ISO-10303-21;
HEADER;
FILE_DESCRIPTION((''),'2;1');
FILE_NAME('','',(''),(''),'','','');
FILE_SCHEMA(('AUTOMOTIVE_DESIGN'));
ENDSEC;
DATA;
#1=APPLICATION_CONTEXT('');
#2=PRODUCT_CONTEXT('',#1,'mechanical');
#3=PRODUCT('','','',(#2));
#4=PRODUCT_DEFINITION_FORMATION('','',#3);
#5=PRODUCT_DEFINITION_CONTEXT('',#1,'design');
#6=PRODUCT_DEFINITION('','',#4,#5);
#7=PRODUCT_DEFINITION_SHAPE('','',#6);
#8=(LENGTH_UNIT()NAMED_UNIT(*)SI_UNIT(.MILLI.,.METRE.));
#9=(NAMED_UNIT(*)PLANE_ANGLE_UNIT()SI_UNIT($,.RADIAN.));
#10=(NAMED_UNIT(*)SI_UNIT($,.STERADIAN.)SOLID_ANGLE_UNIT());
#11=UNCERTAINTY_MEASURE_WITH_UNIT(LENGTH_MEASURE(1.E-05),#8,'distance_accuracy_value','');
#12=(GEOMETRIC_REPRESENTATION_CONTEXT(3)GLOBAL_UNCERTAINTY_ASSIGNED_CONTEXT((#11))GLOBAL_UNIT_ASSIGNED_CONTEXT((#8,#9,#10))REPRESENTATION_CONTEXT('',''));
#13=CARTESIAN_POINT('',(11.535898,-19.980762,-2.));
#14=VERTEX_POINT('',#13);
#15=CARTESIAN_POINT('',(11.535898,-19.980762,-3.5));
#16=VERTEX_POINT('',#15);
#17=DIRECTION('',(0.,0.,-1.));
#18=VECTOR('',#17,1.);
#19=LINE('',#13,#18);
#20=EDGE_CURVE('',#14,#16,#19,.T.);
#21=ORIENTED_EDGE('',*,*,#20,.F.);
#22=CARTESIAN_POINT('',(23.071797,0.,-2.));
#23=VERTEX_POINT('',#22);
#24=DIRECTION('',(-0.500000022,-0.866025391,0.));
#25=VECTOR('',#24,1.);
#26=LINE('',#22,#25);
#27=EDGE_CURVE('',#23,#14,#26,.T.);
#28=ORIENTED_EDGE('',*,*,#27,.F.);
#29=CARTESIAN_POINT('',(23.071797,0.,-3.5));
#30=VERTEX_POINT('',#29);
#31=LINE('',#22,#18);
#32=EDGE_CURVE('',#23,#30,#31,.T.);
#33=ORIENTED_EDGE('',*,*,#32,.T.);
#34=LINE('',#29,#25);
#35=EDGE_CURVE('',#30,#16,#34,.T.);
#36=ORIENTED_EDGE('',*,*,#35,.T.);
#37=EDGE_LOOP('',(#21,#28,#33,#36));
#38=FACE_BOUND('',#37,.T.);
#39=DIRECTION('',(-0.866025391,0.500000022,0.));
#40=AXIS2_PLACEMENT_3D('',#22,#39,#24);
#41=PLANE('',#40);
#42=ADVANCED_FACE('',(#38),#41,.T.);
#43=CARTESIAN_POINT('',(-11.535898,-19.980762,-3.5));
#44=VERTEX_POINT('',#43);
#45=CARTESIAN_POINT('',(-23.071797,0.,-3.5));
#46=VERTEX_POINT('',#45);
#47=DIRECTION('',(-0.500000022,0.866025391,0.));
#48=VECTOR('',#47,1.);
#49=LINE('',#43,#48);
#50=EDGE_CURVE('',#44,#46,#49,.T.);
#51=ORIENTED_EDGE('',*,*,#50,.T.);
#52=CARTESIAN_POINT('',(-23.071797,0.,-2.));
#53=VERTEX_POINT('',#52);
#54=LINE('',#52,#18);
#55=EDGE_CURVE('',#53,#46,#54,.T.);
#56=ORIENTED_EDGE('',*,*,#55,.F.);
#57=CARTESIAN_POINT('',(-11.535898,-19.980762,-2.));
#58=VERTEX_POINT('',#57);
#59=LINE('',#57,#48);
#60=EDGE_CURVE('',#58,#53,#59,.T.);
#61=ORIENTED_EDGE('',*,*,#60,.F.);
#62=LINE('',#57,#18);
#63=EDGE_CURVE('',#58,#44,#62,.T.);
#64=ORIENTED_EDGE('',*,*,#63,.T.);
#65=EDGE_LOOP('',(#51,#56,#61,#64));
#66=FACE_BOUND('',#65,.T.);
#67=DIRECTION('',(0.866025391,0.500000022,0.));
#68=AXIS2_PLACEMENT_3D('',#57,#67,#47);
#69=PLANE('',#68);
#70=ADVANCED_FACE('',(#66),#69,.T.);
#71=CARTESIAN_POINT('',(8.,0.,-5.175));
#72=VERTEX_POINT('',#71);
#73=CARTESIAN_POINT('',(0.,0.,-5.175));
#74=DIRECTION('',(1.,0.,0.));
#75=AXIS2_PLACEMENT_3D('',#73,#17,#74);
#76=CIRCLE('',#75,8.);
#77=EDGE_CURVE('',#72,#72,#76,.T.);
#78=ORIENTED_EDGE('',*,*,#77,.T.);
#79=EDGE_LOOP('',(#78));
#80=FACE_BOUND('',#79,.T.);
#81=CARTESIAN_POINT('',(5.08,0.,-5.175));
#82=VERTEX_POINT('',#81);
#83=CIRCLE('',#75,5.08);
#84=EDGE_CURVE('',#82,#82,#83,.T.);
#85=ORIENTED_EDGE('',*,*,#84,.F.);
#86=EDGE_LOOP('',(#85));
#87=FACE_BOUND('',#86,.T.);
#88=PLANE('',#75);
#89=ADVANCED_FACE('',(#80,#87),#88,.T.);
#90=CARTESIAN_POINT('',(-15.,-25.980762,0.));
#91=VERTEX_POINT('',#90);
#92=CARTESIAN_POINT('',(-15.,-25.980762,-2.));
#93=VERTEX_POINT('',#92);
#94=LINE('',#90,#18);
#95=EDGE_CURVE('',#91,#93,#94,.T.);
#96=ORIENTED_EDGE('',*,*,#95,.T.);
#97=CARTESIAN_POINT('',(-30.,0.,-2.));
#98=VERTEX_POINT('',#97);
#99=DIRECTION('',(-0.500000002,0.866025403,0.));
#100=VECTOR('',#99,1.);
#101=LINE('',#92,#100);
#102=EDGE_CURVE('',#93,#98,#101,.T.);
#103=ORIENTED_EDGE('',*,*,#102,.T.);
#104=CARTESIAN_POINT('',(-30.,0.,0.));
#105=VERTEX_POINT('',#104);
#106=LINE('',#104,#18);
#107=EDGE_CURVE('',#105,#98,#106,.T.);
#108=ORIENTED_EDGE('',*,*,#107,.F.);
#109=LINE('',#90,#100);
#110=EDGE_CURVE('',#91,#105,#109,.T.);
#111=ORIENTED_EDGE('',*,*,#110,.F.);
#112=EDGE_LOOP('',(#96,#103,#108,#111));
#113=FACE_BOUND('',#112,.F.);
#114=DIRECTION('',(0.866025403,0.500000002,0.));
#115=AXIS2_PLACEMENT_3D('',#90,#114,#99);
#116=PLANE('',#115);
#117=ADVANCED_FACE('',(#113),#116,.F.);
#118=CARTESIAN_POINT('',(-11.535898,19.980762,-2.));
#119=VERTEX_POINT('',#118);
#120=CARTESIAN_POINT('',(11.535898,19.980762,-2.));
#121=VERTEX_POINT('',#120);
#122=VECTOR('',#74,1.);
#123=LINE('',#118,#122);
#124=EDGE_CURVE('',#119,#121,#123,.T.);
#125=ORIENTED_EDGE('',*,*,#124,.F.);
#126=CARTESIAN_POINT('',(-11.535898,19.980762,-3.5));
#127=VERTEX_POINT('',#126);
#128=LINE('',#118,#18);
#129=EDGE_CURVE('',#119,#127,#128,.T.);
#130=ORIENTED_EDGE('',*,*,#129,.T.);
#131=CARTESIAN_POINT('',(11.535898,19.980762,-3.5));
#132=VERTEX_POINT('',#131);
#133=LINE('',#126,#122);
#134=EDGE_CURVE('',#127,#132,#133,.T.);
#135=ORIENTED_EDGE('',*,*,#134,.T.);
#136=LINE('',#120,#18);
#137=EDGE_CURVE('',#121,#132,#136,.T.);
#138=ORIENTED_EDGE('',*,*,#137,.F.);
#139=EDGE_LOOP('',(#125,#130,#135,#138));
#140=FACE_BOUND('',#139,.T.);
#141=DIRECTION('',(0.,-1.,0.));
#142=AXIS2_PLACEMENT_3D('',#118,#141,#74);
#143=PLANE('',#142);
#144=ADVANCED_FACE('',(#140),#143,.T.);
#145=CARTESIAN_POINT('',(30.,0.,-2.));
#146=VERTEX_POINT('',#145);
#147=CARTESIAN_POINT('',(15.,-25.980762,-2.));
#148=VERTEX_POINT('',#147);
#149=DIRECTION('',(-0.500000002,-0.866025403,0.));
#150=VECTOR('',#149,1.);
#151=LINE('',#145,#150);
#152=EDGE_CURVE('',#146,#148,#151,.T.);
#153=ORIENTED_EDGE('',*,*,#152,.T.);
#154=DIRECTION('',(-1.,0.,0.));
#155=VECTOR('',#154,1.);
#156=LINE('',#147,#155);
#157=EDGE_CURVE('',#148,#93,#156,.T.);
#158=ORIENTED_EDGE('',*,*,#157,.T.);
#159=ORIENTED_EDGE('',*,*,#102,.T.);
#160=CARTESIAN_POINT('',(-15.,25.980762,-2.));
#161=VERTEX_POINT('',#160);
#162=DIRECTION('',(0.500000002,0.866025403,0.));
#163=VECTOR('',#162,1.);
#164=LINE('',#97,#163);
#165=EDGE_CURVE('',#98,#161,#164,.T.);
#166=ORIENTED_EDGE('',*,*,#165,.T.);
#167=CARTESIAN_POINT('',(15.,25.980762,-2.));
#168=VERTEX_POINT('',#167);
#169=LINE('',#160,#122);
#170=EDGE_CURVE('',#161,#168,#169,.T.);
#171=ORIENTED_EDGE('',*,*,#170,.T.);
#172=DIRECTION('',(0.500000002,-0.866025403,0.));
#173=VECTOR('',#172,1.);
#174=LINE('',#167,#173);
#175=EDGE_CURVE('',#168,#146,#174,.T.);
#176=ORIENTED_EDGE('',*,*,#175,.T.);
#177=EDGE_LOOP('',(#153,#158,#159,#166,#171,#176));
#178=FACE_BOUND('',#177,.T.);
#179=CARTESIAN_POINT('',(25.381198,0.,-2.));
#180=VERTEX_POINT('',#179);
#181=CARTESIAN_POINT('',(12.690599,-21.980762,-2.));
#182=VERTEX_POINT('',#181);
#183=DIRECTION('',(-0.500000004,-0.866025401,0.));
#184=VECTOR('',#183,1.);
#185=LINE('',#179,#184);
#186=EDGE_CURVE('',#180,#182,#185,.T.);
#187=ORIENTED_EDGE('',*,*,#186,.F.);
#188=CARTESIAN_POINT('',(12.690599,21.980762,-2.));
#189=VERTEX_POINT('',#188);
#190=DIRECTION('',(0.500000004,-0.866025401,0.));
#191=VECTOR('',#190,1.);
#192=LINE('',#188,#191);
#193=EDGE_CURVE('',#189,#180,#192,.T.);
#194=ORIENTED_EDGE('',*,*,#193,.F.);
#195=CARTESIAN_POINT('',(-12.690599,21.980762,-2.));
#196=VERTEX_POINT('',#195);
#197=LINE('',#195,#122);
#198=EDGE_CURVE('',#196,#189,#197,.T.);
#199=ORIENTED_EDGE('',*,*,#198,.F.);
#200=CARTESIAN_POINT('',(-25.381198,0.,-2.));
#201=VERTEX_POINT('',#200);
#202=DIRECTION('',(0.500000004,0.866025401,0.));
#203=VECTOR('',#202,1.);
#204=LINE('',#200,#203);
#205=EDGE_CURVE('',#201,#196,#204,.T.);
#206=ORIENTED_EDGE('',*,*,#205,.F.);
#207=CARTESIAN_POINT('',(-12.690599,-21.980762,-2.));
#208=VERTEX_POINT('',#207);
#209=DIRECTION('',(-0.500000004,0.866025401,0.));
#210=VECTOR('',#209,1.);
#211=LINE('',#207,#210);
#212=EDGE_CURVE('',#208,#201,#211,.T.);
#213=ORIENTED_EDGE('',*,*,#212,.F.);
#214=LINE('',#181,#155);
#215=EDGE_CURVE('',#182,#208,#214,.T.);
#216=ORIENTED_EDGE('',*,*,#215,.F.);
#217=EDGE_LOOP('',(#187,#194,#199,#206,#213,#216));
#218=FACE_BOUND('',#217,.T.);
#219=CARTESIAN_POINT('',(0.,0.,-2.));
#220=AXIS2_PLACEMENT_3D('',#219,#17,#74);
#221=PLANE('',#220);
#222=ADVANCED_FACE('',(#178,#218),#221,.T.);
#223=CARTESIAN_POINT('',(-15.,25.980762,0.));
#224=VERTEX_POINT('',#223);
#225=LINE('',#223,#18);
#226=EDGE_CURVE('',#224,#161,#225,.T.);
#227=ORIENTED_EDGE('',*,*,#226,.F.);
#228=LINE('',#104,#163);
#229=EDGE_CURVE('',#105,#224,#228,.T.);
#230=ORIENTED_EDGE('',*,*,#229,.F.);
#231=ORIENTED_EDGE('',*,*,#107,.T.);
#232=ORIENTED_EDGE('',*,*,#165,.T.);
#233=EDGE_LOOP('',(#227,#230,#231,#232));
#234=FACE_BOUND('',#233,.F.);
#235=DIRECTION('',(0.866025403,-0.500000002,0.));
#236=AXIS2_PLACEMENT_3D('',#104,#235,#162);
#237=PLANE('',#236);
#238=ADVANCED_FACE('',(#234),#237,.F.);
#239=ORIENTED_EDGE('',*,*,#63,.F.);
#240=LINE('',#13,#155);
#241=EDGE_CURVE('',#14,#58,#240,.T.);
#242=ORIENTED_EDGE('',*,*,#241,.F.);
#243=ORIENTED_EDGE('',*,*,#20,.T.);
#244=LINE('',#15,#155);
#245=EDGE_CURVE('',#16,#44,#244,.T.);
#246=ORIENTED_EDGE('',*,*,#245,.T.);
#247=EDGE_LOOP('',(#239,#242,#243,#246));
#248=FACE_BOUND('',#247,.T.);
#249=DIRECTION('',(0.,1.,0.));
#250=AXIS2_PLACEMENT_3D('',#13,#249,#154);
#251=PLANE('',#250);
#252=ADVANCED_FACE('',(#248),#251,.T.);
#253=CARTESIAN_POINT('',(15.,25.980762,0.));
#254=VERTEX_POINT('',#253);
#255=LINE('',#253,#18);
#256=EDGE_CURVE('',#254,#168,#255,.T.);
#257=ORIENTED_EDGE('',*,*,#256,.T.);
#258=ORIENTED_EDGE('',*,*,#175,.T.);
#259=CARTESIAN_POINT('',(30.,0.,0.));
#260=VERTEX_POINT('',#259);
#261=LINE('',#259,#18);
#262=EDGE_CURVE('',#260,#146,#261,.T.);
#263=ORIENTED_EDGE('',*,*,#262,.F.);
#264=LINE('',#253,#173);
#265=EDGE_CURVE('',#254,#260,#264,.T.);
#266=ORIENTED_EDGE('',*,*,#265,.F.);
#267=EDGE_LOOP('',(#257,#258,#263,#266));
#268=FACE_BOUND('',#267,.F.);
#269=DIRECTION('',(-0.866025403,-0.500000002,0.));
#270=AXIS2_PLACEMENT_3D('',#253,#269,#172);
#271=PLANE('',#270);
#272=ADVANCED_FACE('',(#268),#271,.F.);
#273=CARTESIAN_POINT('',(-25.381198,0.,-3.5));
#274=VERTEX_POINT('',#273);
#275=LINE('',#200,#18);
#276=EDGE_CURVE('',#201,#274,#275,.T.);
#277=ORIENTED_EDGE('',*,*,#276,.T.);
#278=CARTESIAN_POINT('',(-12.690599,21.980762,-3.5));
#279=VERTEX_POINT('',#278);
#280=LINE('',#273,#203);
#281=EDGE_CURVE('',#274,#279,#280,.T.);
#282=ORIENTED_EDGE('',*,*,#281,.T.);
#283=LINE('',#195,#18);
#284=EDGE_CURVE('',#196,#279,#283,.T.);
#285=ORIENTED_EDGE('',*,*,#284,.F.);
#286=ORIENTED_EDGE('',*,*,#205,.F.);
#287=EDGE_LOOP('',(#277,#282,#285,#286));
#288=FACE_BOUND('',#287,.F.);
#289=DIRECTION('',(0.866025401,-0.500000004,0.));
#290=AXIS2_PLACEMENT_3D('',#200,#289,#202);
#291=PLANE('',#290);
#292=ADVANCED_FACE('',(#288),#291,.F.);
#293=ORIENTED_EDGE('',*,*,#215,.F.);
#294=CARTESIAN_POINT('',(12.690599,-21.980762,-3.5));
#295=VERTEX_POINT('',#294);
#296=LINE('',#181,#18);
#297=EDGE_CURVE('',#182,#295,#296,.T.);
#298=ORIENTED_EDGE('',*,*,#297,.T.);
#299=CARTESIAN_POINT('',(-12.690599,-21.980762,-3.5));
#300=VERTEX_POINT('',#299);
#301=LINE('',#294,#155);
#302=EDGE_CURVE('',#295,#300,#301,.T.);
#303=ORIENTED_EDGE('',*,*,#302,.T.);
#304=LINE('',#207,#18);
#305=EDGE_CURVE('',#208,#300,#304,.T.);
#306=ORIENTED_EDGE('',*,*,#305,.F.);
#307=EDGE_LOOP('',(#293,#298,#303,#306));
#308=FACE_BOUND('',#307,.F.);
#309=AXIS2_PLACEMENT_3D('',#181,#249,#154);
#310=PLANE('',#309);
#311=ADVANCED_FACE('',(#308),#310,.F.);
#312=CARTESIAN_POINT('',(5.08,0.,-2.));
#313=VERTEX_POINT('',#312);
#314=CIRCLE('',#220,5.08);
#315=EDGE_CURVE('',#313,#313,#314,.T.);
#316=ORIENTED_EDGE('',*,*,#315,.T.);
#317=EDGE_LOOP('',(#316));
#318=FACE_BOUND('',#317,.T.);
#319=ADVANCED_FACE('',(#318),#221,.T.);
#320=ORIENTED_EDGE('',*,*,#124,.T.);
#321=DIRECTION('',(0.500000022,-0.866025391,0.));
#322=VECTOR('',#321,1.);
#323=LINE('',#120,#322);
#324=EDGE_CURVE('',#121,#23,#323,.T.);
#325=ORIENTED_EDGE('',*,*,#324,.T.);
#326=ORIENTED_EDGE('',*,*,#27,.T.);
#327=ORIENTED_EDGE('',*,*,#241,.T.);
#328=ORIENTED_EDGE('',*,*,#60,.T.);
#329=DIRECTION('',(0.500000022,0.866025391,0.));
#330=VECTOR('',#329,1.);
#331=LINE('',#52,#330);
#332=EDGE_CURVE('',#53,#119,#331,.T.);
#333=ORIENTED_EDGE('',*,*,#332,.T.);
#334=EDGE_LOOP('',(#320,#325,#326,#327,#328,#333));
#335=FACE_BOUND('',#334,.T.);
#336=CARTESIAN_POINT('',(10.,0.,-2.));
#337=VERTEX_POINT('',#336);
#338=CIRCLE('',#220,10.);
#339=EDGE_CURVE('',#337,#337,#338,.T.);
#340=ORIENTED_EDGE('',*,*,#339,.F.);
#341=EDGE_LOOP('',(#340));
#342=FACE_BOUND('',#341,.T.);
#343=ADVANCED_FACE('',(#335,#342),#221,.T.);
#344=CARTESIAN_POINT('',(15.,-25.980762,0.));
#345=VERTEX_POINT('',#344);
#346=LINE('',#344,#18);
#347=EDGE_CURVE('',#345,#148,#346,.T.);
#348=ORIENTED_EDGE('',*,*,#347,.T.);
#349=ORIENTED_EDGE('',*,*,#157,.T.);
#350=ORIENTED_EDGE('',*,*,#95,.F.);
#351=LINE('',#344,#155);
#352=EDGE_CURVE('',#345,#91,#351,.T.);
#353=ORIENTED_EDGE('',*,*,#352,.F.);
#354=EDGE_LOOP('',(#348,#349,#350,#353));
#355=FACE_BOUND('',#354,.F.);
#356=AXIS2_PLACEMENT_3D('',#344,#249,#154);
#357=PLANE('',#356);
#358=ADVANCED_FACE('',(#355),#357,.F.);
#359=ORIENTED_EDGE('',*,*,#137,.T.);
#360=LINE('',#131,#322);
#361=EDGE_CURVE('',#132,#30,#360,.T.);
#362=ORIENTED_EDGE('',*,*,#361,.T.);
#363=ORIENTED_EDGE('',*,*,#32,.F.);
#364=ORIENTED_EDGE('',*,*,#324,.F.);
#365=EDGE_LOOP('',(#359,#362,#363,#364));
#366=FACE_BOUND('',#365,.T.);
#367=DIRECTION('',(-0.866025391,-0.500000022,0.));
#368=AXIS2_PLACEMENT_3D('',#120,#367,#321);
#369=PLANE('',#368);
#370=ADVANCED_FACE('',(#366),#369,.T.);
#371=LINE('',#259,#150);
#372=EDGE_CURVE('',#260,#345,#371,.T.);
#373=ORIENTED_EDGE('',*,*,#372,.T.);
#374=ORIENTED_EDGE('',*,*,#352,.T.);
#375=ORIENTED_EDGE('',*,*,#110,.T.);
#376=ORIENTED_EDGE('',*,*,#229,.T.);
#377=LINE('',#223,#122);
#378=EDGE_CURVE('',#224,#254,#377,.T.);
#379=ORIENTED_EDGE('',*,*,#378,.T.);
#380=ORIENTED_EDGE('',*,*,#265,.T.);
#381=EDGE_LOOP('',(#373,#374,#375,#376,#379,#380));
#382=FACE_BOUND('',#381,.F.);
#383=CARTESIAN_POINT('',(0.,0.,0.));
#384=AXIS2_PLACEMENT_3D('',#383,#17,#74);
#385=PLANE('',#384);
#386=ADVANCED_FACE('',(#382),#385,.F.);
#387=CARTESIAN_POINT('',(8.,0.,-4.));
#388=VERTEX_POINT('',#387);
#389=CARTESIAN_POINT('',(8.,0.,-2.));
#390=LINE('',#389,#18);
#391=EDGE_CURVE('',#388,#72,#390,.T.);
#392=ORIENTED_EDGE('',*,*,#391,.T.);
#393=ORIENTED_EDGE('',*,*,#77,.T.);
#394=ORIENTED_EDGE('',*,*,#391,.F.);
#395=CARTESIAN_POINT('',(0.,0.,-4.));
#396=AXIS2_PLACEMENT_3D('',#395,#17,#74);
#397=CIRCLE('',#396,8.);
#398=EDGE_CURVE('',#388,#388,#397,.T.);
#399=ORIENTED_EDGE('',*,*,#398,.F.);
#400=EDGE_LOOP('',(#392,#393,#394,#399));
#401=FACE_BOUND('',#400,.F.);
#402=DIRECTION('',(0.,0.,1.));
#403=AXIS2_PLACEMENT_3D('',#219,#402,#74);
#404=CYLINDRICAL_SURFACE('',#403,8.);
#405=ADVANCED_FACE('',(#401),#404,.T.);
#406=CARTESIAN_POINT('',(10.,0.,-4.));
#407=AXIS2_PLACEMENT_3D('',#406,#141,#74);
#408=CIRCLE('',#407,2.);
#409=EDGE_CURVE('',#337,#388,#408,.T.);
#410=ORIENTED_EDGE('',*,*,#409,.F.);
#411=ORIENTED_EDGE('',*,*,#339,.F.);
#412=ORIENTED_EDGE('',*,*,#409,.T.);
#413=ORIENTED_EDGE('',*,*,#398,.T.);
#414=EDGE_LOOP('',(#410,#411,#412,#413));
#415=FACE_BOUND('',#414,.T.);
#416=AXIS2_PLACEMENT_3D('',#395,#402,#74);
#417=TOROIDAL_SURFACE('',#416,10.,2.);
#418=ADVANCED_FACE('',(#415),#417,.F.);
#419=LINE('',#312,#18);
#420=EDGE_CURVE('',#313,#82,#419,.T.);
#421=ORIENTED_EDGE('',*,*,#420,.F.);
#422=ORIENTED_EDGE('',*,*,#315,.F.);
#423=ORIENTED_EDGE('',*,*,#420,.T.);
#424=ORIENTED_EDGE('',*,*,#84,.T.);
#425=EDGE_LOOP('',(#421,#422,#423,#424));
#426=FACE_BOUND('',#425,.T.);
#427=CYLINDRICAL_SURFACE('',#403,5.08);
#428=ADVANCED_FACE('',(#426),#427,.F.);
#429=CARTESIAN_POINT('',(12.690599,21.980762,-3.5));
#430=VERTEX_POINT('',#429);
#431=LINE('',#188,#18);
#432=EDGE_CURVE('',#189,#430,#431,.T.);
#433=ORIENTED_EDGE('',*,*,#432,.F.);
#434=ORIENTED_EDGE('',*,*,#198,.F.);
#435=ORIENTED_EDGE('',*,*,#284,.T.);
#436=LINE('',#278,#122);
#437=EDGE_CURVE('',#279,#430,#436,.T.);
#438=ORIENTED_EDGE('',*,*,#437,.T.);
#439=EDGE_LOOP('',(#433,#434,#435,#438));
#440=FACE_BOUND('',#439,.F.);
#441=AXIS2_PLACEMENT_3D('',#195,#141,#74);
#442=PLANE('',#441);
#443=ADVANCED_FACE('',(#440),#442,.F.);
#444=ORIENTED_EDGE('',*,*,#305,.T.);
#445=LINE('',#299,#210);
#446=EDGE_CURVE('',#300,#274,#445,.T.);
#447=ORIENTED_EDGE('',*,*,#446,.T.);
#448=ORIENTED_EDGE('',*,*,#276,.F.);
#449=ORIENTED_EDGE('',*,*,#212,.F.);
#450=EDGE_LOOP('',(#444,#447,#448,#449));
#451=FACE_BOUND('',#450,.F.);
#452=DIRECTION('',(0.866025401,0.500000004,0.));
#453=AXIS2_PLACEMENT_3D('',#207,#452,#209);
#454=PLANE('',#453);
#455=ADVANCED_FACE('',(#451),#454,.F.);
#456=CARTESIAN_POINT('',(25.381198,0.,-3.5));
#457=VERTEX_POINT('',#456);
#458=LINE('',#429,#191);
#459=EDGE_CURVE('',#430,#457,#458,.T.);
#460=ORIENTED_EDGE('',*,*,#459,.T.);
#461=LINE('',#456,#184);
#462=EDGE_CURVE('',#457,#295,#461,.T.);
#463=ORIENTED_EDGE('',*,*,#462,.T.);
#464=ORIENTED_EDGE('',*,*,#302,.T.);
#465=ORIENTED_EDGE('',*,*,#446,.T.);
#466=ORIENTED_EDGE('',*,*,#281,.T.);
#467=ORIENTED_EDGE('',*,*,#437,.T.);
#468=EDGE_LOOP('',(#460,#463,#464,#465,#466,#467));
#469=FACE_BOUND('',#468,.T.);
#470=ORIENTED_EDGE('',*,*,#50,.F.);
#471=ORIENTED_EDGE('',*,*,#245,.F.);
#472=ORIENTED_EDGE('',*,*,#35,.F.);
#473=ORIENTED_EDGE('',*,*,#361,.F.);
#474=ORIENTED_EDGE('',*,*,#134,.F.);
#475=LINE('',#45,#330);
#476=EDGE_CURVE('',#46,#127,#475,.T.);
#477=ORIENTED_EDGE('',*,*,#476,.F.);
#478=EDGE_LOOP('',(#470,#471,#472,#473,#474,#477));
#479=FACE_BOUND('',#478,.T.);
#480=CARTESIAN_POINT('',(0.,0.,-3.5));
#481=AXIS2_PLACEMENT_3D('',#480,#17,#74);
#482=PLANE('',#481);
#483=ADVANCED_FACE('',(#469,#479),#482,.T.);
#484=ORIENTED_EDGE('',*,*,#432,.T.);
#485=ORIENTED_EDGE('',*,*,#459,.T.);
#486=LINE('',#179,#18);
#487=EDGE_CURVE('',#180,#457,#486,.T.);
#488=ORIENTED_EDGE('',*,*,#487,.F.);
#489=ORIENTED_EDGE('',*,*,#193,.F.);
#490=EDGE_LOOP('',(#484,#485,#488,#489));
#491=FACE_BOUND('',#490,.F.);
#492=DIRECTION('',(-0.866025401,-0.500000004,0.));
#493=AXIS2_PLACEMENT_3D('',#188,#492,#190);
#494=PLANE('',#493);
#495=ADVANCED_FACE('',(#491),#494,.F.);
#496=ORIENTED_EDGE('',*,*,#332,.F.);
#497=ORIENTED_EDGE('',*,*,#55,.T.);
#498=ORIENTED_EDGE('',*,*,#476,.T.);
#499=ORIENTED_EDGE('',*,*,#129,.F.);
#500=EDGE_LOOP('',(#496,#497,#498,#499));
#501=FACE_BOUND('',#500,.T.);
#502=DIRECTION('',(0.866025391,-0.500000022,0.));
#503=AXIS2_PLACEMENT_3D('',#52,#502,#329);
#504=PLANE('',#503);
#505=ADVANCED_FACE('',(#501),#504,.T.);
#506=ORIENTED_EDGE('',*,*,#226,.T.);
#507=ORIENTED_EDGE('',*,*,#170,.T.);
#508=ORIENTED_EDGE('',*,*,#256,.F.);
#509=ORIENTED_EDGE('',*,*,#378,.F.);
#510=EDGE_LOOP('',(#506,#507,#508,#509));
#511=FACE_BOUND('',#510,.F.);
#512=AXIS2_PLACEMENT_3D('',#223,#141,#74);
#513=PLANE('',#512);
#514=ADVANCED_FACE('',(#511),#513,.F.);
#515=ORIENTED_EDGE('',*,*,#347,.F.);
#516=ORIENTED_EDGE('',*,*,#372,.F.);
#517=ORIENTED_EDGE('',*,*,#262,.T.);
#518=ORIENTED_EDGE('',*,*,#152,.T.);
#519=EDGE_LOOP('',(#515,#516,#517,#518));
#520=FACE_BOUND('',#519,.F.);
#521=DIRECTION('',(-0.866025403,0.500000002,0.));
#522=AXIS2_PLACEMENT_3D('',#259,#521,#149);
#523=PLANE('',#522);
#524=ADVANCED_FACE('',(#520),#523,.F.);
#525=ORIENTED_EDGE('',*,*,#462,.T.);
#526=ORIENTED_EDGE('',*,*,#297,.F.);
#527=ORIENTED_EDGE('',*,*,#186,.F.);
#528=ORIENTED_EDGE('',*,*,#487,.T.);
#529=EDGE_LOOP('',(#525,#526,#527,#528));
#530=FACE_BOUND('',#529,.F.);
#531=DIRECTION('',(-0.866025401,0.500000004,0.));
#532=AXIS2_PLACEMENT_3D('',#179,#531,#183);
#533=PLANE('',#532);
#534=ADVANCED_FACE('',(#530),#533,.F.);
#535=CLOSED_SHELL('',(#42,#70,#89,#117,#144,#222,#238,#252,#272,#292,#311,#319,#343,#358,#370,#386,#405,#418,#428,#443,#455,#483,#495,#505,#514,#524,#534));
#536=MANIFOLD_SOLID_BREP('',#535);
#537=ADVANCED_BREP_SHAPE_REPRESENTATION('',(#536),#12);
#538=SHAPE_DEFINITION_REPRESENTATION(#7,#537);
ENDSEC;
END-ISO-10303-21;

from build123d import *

# Parameters (mm, degrees)
PAD_DEPTH     = 2
SKETCH001_R   = 8
SKETCH001_R_2 = 5.08
PAD001_DEPTH  = 3.175
FILLET_R      = 2
PAD002_DEPTH  = 1.5


with BuildPart() as part:
    # Sketch → Pad (new body)
    with BuildSketch(Plane(origin=(0, 0, 0), x_dir=(1, 0, 0), z_dir=(0, 0, -1))):
        Polygon((30, 0), (15, 25.980762), (-15, 25.980762), (-30, 0), (-15, -25.980762), (15, -25.980762), align=None)
    extrude(amount=PAD_DEPTH)

    # Sketch001 → Pad001 (new body)
    with BuildSketch(Plane(origin=(0, 0, -2), x_dir=(1, 0, 0), z_dir=(0, 0, -1))):
        Circle(SKETCH001_R)
        Circle(SKETCH001_R_2, mode=Mode.SUBTRACT)
    extrude(amount=PAD001_DEPTH)

    # Fillet
    fillet_edges = [part.edges().sort_by_distance(p)[0] for p in [
        (-8, 0, -2),
    ]]
    fillet(fillet_edges, radius=FILLET_R)

    # Sketch002 → Pad002 (new body)
    with BuildSketch(Plane(origin=(0, 0, -2), x_dir=(1, 0, 0), z_dir=(0, 0, -1))):
        Polygon((12.690599, -21.980762), (25.381198, 0), (12.690599, 21.980762), (-12.690599, 21.980762), (-25.381198, 0), (-12.690599, -21.980762), align=None)
        Polygon((11.535898, -19.980762), (23.071797, 0), (11.535898, 19.980762), (-11.535898, 19.980762), (-23.071797, 0), (-11.535898, -19.980762), align=None, mode=Mode.SUBTRACT)
    extrude(amount=PAD002_DEPTH)


solid = part.part
